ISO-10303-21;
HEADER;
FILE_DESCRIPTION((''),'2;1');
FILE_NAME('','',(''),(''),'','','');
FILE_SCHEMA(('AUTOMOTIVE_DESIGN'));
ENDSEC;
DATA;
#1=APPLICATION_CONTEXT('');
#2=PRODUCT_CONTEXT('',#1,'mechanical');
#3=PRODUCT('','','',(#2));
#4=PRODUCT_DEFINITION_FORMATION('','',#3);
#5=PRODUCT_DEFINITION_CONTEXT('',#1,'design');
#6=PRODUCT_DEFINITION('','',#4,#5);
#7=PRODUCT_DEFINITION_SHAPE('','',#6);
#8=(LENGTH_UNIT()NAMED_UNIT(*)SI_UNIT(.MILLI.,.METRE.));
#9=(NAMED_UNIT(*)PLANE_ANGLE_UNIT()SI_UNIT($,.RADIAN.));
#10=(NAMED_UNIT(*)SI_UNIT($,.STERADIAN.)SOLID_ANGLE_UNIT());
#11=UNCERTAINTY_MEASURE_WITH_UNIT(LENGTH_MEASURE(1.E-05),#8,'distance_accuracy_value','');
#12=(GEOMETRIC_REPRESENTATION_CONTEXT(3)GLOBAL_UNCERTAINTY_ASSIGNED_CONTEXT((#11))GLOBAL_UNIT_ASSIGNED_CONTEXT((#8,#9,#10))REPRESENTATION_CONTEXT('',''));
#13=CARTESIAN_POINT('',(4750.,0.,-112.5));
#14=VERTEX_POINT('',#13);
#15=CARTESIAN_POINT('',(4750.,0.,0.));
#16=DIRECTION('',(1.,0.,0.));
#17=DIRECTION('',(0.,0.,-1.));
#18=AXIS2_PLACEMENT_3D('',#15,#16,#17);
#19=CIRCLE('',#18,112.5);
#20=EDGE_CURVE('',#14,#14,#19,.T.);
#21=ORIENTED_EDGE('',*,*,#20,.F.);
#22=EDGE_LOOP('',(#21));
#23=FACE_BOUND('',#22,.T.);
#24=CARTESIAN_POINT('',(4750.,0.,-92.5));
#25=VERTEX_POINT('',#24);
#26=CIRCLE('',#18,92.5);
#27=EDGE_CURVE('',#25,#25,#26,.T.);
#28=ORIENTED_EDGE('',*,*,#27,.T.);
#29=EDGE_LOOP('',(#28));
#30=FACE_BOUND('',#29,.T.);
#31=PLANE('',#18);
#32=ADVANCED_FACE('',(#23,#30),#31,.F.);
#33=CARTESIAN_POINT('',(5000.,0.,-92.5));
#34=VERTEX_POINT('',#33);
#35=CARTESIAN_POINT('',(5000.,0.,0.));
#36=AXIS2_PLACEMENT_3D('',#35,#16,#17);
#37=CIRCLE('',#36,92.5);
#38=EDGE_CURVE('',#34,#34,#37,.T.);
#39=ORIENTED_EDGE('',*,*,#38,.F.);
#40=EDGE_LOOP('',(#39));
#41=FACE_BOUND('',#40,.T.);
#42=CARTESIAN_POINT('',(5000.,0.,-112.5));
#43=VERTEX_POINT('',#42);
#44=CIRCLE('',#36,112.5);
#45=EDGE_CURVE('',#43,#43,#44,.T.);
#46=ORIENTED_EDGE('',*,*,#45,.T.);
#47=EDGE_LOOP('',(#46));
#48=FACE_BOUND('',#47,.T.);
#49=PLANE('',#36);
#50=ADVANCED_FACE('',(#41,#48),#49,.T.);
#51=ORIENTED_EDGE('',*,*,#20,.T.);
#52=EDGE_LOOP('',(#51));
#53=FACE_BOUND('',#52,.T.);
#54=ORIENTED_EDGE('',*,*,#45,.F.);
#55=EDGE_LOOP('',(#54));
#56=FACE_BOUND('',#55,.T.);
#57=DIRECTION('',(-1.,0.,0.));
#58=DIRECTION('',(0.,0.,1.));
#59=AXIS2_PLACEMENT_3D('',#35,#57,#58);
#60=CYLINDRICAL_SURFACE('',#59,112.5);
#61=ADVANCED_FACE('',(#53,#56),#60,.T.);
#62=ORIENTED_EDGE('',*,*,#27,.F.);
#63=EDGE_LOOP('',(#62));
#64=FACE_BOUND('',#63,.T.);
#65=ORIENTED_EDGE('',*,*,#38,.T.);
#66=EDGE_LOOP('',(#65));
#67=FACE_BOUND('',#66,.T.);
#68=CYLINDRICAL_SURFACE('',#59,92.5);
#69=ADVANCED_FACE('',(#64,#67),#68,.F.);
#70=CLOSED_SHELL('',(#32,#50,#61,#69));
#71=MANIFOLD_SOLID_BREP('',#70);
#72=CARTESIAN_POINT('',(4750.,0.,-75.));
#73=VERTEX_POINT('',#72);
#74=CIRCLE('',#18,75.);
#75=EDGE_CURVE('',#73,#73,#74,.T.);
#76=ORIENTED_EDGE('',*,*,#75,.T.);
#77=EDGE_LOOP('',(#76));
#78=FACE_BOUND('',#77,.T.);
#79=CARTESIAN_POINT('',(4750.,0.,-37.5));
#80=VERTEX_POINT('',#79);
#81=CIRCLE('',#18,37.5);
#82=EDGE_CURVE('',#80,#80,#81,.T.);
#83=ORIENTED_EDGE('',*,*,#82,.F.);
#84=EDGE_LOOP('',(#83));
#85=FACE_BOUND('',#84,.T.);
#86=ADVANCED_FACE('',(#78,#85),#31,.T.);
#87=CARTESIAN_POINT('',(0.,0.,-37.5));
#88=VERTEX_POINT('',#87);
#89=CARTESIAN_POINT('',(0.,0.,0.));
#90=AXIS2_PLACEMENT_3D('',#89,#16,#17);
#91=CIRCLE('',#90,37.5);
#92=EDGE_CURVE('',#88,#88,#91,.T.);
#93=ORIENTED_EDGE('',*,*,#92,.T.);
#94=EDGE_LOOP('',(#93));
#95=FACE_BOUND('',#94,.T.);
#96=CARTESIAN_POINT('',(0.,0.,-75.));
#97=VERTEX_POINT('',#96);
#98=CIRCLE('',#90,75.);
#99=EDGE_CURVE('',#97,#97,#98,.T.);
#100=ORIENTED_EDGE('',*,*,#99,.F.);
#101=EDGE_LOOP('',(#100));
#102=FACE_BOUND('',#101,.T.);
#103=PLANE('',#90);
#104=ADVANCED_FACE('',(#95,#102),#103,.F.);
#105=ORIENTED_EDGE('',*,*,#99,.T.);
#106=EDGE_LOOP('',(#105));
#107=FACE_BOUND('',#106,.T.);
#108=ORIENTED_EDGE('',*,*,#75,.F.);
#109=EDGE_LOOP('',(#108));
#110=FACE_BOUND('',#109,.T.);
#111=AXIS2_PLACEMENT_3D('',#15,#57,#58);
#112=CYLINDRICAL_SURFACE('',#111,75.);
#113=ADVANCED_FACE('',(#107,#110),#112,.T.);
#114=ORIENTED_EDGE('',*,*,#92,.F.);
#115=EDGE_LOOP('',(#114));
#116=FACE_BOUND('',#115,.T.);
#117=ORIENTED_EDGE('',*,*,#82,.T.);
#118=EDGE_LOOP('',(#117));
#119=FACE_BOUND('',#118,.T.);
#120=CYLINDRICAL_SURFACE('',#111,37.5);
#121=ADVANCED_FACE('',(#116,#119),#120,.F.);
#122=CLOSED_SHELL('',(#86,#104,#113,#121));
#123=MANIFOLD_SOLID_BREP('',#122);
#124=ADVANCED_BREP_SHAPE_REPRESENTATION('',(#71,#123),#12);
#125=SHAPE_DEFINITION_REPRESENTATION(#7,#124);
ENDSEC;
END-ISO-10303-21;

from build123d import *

# Parameters (mm, degrees)
SKETCH1_R           = 75
SKETCH1_R_2         = 37.5
BOSS_EXTRUDE1_DEPTH = 4750
SKETCH2_R           = 112.5
SKETCH2_R_2         = 92.5
BOSS_EXTRUDE2_DEPTH = 250


with BuildPart() as part:
    # Sketch1 → Boss-Extrude1 (new body)
    with BuildSketch(Plane(origin=(0, 0, 0), x_dir=(0, 0, -1), z_dir=(1, 0, 0))):
        Circle(SKETCH1_R)
        Circle(SKETCH1_R_2, mode=Mode.SUBTRACT)
    extrude(amount=BOSS_EXTRUDE1_DEPTH)


with BuildPart() as body_2:
    # Sketch2 → Boss-Extrude2 (new body)
    with BuildSketch(Plane(origin=(4750, 0, 0), x_dir=(0, 0, -1), z_dir=(1, 0, 0))):
        Circle(SKETCH2_R)
        Circle(SKETCH2_R_2, mode=Mode.SUBTRACT)
    extrude(amount=BOSS_EXTRUDE2_DEPTH)


solid = Compound([part.part, body_2.part])
